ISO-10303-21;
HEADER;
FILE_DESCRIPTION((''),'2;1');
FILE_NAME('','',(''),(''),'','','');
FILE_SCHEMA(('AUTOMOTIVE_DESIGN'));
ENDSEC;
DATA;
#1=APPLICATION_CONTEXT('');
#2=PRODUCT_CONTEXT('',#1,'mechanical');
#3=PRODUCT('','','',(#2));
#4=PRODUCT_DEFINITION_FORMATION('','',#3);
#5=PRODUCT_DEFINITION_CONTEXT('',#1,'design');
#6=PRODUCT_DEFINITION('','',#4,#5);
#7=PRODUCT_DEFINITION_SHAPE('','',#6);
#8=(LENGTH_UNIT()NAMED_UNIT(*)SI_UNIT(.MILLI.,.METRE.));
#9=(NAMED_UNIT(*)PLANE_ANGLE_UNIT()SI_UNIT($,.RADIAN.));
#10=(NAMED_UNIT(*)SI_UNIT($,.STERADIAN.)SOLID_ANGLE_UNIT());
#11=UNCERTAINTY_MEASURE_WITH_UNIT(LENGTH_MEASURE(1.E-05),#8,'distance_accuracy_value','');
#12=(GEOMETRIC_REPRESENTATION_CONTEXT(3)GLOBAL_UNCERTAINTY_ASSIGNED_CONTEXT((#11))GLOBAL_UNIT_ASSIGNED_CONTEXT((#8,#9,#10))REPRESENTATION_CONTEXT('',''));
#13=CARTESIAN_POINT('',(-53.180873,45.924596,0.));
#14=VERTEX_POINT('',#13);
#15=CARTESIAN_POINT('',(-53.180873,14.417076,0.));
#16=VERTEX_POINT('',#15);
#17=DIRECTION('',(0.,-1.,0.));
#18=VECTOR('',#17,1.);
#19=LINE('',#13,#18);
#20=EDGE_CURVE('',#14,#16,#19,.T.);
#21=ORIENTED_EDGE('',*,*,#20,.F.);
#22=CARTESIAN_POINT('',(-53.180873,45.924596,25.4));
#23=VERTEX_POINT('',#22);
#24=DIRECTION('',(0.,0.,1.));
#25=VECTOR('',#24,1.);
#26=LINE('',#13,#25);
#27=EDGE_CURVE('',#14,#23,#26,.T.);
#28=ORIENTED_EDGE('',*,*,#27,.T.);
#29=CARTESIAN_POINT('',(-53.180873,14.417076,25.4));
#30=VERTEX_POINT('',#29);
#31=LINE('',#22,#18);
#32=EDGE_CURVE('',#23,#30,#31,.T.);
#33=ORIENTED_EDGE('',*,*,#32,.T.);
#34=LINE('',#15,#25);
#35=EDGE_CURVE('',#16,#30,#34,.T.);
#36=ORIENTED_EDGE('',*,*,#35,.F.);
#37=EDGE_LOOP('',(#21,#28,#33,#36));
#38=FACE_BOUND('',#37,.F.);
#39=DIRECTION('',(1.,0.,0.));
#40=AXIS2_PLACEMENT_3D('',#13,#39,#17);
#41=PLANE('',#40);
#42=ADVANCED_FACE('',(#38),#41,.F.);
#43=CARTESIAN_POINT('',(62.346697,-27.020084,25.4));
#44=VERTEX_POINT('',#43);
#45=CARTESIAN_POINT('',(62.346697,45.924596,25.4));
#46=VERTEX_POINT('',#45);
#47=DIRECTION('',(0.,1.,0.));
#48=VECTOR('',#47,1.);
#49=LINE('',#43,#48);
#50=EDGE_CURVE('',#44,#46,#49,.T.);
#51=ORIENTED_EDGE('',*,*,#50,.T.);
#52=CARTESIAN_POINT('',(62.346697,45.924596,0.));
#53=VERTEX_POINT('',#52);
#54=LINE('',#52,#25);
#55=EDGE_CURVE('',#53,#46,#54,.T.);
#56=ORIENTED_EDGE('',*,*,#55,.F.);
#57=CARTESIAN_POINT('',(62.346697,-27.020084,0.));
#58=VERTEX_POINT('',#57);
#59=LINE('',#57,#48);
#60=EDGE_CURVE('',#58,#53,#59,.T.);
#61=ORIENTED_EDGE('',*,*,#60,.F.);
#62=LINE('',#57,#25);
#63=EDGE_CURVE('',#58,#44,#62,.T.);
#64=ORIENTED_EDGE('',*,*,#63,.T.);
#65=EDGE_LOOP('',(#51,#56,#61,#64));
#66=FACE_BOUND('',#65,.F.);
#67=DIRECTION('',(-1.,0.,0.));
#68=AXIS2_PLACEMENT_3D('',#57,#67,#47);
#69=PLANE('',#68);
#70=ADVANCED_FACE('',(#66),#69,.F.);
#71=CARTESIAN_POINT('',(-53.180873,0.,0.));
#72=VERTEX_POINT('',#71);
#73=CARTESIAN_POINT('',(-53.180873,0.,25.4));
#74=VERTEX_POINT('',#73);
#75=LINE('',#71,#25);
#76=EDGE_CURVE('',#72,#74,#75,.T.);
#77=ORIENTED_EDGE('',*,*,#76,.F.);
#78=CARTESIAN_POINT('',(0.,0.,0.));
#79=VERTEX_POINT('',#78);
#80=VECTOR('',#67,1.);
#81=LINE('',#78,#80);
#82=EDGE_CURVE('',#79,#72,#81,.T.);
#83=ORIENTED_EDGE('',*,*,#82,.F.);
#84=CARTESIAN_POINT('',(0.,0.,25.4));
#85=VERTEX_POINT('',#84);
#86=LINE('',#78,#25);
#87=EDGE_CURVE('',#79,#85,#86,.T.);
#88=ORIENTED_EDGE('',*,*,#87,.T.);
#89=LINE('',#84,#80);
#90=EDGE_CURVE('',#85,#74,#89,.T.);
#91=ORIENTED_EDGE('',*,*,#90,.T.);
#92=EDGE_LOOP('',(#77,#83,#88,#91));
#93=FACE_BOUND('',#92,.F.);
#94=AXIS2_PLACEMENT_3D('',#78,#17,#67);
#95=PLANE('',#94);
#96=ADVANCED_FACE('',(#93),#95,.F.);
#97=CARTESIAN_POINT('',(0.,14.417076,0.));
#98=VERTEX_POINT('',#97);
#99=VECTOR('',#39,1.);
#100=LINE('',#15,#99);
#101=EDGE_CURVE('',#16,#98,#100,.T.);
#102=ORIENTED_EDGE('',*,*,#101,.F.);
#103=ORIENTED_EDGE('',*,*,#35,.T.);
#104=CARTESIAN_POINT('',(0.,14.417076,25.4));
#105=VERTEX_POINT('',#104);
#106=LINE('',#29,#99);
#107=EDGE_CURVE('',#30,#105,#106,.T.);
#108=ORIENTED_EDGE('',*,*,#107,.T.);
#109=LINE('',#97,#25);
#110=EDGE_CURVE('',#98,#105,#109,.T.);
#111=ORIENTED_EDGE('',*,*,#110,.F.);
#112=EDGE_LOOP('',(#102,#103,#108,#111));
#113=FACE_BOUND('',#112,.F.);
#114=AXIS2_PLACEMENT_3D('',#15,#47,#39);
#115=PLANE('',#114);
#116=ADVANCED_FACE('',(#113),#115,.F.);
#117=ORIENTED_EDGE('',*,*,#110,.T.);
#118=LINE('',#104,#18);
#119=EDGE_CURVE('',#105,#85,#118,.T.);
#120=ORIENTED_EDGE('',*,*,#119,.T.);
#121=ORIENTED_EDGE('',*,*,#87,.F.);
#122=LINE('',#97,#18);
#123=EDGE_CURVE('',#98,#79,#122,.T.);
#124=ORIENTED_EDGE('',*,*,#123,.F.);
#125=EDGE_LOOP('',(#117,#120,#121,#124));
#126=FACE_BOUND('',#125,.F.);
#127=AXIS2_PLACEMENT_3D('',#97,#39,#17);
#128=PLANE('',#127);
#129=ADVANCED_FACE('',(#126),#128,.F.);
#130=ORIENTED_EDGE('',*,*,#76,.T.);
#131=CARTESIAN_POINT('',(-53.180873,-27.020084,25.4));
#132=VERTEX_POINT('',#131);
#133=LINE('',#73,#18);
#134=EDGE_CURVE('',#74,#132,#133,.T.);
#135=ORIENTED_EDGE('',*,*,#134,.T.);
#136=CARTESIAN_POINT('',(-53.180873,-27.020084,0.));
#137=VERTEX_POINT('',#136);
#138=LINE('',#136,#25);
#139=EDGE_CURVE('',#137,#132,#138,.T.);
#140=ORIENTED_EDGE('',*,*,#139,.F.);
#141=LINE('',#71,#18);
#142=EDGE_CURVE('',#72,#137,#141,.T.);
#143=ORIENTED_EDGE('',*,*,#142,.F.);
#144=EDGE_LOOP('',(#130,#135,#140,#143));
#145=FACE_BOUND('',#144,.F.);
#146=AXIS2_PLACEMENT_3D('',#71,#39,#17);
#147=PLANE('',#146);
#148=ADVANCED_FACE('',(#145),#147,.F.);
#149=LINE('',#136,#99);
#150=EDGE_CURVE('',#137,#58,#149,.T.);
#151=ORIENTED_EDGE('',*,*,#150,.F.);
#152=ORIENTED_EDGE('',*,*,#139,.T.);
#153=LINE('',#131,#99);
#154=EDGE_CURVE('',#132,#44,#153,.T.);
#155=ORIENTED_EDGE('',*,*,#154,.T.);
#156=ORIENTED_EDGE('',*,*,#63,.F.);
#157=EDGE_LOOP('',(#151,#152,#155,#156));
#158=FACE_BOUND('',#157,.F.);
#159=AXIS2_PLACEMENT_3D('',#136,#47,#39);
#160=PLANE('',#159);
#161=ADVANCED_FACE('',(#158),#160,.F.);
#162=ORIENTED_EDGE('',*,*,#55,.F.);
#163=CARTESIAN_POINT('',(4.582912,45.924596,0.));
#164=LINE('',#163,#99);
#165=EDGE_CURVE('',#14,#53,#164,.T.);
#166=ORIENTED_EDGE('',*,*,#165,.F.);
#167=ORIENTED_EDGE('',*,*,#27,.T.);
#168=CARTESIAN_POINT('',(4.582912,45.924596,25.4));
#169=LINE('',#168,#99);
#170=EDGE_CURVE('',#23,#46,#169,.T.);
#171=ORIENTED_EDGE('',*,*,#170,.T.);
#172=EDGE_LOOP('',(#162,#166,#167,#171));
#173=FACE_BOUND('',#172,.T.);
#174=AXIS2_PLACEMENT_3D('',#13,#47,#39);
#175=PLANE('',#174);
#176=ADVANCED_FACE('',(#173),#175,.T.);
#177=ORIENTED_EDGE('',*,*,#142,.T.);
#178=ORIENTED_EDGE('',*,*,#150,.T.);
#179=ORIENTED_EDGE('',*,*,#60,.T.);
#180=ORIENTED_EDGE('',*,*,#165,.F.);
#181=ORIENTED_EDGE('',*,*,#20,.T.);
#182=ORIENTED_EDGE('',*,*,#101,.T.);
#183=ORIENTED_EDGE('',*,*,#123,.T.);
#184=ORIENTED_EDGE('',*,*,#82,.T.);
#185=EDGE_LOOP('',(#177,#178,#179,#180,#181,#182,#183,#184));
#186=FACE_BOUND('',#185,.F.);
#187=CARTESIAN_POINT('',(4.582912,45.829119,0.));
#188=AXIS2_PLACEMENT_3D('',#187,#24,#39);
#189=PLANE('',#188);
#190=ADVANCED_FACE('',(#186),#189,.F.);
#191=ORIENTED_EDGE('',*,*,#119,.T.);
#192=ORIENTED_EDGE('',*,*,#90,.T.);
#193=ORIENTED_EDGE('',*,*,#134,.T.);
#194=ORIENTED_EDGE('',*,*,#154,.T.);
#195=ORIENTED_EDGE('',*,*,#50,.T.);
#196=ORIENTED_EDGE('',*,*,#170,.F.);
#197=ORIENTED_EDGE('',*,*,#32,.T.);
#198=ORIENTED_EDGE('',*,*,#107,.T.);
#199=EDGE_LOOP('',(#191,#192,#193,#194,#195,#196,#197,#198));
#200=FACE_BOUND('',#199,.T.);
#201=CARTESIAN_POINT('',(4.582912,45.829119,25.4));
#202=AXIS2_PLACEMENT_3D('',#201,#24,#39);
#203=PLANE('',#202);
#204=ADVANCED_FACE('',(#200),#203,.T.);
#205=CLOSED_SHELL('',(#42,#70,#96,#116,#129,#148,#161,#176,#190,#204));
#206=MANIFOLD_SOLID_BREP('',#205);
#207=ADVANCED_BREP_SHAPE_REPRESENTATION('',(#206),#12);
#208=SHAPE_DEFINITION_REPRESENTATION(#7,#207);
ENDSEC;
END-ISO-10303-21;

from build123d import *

# Parameters (mm, degrees)
F0_W     = 115.52757
F0_H     = 0.190954
F1_DEPTH = 25.4


with BuildPart() as f1:
    # F0 (on Top) → F1 (new body)
    with BuildSketch(Plane.XY):
        with Locations((4.582912, 45.829119)):
            Rectangle(F0_W, F0_H)
        Polygon((62.346697, 45.733642), (-53.180873, 45.733642), (-53.180873, 14.417076), (0, 14.417076), (0, 0), (-53.180873, 0), (-53.180873, -27.020084), (62.346697, -27.020084), align=None)
    extrude(amount=F1_DEPTH)


solid = f1.part
